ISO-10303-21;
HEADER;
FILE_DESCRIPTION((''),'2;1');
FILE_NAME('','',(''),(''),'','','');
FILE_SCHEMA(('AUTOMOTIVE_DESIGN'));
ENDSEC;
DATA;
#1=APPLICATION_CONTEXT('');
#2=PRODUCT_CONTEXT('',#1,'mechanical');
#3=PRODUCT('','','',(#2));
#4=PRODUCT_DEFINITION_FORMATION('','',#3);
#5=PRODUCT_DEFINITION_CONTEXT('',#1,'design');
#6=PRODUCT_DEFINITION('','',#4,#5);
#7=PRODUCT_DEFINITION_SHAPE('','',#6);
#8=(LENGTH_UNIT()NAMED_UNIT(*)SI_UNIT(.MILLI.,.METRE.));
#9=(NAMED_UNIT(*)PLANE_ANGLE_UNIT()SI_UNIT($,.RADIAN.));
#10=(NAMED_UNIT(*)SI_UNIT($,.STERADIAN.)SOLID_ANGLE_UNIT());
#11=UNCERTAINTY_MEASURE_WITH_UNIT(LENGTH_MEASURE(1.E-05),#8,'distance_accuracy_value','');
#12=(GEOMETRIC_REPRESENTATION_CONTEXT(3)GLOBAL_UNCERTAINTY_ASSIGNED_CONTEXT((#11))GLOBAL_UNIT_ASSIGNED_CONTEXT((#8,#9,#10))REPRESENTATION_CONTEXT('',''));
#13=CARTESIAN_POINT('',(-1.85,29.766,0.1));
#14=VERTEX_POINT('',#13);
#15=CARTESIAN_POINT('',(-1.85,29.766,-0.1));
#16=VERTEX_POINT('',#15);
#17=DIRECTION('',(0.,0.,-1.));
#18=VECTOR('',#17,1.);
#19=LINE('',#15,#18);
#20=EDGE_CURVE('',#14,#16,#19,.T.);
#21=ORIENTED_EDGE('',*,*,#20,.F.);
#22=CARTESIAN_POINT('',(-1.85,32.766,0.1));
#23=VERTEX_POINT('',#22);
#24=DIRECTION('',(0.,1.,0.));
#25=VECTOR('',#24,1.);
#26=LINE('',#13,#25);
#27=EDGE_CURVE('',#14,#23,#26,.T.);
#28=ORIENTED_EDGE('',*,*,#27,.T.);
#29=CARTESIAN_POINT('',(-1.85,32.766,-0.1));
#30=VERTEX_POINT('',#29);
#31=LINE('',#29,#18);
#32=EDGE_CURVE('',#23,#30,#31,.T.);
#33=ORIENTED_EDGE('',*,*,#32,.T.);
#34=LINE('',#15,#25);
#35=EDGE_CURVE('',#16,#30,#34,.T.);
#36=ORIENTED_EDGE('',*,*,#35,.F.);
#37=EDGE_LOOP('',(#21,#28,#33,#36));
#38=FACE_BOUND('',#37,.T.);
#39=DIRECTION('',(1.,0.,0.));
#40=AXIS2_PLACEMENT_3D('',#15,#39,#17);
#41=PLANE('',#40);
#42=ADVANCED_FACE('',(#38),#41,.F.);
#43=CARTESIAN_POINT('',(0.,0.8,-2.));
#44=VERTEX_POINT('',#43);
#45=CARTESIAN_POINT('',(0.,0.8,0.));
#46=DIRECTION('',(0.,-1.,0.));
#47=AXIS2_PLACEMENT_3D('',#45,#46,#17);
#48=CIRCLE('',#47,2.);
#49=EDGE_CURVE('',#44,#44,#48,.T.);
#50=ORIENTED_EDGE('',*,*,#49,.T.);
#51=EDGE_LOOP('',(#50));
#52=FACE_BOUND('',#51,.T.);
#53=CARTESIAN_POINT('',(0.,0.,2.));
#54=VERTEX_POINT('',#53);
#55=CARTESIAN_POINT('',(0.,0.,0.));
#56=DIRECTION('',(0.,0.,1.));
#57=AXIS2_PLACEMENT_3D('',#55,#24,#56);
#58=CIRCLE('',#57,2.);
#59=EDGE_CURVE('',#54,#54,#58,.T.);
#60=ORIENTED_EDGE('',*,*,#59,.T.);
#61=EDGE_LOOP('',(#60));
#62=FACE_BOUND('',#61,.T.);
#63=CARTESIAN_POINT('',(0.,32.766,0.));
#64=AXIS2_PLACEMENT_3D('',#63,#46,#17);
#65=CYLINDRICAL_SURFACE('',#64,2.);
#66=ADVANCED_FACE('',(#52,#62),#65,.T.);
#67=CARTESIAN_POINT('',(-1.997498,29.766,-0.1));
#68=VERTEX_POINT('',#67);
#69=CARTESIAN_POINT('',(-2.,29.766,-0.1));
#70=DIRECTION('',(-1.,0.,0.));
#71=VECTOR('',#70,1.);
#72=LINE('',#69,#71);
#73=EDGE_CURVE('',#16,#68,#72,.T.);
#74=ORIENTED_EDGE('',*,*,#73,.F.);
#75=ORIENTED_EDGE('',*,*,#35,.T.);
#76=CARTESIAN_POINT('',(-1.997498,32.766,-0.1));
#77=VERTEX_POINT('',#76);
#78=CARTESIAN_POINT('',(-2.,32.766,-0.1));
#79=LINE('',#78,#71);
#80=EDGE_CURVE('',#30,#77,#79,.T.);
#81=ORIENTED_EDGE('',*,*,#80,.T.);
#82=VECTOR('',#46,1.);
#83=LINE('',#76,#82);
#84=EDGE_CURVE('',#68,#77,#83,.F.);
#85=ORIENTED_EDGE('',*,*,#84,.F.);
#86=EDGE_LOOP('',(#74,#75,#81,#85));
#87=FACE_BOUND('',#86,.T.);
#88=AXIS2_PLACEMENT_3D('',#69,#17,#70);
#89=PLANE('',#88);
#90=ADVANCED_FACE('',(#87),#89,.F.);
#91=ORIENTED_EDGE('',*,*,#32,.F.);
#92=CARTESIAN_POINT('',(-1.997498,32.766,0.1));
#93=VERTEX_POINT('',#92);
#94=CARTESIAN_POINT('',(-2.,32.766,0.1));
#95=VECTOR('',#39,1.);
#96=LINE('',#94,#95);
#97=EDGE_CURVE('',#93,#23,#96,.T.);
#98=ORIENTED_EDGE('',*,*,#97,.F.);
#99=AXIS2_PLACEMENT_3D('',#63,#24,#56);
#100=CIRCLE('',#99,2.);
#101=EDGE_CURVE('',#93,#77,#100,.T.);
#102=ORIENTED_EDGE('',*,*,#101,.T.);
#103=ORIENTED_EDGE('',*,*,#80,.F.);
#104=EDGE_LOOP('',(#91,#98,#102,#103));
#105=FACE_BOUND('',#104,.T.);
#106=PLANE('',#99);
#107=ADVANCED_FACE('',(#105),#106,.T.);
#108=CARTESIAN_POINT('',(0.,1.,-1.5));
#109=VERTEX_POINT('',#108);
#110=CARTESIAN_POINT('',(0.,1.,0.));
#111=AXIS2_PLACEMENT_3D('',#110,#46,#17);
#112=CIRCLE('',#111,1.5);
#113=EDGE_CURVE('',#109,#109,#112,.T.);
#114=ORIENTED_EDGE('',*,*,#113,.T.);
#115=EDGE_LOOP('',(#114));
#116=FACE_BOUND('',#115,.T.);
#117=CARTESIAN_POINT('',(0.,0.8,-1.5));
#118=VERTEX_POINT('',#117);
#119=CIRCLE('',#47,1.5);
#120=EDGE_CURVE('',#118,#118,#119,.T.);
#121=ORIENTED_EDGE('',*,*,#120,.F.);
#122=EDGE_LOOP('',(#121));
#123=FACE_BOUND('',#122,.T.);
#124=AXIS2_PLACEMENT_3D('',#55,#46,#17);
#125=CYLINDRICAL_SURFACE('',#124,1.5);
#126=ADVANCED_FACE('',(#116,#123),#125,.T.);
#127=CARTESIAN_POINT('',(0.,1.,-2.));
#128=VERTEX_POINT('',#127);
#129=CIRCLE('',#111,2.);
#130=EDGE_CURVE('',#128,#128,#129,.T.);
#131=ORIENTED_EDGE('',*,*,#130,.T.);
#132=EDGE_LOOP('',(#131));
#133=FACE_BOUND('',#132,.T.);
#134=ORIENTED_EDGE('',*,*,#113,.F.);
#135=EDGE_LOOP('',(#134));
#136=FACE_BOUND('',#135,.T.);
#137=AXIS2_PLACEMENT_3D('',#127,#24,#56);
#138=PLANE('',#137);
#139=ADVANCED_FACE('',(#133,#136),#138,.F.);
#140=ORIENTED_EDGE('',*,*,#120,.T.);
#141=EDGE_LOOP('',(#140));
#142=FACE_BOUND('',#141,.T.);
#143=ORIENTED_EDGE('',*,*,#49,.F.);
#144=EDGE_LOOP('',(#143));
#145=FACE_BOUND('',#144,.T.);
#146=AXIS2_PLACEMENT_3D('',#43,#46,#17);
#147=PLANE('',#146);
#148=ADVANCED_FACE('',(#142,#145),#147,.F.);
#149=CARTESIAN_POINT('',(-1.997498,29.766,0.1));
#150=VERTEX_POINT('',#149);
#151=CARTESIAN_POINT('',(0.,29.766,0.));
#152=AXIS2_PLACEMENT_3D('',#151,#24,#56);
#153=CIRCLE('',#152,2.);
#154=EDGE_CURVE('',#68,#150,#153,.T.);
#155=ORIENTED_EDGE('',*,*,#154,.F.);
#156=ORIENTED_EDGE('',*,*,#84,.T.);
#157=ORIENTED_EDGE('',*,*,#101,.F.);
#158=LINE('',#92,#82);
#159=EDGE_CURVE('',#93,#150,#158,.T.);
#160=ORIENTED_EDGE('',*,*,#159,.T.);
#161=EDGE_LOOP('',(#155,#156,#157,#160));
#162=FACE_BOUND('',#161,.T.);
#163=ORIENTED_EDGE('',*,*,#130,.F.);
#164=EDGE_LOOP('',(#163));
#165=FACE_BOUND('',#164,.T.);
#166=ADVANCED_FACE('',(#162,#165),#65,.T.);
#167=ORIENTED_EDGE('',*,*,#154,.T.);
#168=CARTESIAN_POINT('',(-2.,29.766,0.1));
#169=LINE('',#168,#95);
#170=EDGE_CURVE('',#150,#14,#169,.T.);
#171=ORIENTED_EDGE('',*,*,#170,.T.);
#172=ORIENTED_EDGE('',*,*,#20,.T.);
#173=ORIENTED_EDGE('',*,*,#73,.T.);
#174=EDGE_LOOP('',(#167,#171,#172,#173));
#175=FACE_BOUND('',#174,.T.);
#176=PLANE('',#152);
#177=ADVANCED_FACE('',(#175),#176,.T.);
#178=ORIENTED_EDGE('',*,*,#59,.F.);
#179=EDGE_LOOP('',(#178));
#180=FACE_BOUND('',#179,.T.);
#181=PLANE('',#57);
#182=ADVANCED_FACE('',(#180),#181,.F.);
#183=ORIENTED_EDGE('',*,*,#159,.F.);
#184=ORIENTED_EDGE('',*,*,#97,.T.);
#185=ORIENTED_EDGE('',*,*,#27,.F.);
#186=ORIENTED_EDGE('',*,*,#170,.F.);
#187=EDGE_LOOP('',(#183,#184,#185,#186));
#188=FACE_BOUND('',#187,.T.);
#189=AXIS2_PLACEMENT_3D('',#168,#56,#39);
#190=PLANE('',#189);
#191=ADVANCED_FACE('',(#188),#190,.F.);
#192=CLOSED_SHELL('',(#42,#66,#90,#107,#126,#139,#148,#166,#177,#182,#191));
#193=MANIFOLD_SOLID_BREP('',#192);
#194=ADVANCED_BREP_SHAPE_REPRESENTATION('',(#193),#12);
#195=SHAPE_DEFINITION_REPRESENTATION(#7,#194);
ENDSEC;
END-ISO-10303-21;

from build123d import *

# Parameters (mm, degrees)
SKETCH1_R           = 2
BOSS_EXTRUDE1_DEPTH = 32.766
SKETCH2_W           = 0.5
SKETCH2_H           = 0.2
SKETCH3_W           = 0.15
SKETCH3_H           = 0.2
CUT_EXTRUDE1_DEPTH  = 3


with BuildPart() as part:
    # Sketch1 → Boss-Extrude1 (new body)
    with BuildSketch(Plane(origin=(0, 0, 0), x_dir=(1, 0, 0), z_dir=(0, 1, 0))):
        Circle(SKETCH1_R)
    extrude(amount=BOSS_EXTRUDE1_DEPTH)

    # Sketch2 → Cut-Revolve1 (revolve, cut)
    with BuildSketch(Plane(origin=(0, 0, 0), x_dir=(0, 0, -1), z_dir=(1, 0, 0))):
        with Locations((1.75, 0.9)):
            Rectangle(SKETCH2_W, SKETCH2_H)
    revolve(axis=Axis((0, 0, 0), (0, 1, 0)), mode=Mode.SUBTRACT)

    # Sketch3 → Cut-Extrude1 (cut)
    with BuildSketch(Plane(origin=(0, 32.766, 0), x_dir=(1, 0, 0), z_dir=(0, 1, 0))):
        with Locations((-1.925, 0)):
            Rectangle(SKETCH3_W, SKETCH3_H)
    extrude(amount=-CUT_EXTRUDE1_DEPTH, mode=Mode.SUBTRACT)


solid = part.part
